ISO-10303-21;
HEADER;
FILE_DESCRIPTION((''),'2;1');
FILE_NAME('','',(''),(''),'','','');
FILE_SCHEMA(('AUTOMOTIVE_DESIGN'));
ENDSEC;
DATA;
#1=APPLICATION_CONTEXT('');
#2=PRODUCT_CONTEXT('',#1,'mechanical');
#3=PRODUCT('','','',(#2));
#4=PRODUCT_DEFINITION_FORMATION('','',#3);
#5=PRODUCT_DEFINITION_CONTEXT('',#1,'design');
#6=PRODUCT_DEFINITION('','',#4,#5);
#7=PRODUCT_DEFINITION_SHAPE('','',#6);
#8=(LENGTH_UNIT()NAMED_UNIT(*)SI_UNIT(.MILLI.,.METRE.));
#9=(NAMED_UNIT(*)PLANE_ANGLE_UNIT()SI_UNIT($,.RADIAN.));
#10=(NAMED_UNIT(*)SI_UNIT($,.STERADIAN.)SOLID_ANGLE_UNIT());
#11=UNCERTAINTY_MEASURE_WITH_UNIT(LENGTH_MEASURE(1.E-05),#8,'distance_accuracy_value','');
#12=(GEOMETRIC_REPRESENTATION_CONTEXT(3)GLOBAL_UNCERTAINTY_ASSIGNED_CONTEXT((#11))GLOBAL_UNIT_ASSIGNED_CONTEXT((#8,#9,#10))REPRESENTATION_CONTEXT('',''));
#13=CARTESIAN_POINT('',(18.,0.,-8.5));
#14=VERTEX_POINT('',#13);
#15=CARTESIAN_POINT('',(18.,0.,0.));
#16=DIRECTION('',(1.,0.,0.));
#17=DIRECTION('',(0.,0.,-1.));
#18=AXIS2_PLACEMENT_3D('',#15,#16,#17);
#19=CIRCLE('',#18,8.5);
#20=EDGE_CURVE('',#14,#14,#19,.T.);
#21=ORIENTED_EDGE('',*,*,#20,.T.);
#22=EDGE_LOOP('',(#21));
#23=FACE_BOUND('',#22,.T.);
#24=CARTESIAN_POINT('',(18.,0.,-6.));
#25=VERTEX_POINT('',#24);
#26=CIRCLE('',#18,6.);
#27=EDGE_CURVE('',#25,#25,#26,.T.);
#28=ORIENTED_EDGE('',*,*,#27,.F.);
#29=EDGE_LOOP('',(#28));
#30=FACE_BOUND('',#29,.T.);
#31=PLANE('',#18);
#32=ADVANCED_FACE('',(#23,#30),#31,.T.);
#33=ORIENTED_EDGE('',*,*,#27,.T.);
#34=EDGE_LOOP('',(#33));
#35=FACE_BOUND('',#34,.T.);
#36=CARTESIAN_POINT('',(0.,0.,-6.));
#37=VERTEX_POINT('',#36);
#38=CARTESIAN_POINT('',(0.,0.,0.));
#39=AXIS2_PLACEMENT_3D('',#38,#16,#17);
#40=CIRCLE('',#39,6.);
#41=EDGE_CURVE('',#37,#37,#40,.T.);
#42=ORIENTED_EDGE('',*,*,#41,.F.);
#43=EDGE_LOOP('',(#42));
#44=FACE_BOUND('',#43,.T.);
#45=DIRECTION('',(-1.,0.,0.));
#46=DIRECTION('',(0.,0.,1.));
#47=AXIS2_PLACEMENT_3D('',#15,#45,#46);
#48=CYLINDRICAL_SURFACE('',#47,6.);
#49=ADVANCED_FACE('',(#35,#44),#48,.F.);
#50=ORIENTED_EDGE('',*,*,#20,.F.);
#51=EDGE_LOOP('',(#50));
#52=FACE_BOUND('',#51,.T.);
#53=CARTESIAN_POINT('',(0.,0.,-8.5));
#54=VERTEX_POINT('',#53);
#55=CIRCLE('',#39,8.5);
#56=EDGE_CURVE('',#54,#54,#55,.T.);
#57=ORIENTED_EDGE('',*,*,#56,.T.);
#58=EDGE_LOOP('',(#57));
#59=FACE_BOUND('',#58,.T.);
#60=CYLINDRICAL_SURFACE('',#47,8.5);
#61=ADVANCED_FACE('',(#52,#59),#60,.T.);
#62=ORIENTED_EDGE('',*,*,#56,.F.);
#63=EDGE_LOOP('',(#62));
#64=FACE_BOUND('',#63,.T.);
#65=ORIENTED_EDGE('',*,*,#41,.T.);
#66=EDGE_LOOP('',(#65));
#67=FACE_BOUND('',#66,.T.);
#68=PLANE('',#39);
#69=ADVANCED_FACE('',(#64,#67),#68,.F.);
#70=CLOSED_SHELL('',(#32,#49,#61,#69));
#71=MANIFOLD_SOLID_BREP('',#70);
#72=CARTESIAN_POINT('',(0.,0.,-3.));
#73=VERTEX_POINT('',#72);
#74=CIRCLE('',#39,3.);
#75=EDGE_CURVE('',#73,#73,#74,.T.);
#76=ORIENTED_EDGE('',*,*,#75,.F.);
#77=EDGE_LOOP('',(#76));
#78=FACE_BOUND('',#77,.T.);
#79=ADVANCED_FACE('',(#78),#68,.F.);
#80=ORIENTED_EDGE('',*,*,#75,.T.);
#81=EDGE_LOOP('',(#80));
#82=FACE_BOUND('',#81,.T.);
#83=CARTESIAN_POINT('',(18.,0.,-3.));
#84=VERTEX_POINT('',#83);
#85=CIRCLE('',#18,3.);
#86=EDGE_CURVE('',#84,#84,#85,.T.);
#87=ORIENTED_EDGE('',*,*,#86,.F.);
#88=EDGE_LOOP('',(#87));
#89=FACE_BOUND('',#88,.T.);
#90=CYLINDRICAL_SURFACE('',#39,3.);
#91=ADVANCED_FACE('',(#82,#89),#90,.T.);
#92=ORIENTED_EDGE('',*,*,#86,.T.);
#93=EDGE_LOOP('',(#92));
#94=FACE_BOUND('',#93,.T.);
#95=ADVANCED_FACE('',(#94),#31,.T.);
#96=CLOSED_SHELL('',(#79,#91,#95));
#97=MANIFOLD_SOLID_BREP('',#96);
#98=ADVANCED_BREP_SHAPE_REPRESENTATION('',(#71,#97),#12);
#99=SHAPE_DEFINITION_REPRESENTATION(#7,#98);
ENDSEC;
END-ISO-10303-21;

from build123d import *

# Parameters (mm, degrees)
SKETCH1_R           = 8.5
SKETCH1_R_2         = 6
BOSS_EXTRUDE1_DEPTH = 18
SKETCH2_R           = 3
BOSS_EXTRUDE2_DEPTH = 18


with BuildPart() as part:
    # Sketch1 → Boss-Extrude1 (new body)
    with BuildSketch(Plane(origin=(0, 0, 0), x_dir=(0, 0, -1), z_dir=(1, 0, 0))):
        Circle(SKETCH1_R)
        Circle(SKETCH1_R_2, mode=Mode.SUBTRACT)
    extrude(amount=BOSS_EXTRUDE1_DEPTH)


with BuildPart() as body_2:
    # Sketch2 → Boss-Extrude2 (new body)
    with BuildSketch(Plane(origin=(18, 0, 0), x_dir=(0, 0, -1), z_dir=(1, 0, 0))):
        Circle(SKETCH2_R)
    extrude(amount=-BOSS_EXTRUDE2_DEPTH)


solid = Compound([part.part, body_2.part])
